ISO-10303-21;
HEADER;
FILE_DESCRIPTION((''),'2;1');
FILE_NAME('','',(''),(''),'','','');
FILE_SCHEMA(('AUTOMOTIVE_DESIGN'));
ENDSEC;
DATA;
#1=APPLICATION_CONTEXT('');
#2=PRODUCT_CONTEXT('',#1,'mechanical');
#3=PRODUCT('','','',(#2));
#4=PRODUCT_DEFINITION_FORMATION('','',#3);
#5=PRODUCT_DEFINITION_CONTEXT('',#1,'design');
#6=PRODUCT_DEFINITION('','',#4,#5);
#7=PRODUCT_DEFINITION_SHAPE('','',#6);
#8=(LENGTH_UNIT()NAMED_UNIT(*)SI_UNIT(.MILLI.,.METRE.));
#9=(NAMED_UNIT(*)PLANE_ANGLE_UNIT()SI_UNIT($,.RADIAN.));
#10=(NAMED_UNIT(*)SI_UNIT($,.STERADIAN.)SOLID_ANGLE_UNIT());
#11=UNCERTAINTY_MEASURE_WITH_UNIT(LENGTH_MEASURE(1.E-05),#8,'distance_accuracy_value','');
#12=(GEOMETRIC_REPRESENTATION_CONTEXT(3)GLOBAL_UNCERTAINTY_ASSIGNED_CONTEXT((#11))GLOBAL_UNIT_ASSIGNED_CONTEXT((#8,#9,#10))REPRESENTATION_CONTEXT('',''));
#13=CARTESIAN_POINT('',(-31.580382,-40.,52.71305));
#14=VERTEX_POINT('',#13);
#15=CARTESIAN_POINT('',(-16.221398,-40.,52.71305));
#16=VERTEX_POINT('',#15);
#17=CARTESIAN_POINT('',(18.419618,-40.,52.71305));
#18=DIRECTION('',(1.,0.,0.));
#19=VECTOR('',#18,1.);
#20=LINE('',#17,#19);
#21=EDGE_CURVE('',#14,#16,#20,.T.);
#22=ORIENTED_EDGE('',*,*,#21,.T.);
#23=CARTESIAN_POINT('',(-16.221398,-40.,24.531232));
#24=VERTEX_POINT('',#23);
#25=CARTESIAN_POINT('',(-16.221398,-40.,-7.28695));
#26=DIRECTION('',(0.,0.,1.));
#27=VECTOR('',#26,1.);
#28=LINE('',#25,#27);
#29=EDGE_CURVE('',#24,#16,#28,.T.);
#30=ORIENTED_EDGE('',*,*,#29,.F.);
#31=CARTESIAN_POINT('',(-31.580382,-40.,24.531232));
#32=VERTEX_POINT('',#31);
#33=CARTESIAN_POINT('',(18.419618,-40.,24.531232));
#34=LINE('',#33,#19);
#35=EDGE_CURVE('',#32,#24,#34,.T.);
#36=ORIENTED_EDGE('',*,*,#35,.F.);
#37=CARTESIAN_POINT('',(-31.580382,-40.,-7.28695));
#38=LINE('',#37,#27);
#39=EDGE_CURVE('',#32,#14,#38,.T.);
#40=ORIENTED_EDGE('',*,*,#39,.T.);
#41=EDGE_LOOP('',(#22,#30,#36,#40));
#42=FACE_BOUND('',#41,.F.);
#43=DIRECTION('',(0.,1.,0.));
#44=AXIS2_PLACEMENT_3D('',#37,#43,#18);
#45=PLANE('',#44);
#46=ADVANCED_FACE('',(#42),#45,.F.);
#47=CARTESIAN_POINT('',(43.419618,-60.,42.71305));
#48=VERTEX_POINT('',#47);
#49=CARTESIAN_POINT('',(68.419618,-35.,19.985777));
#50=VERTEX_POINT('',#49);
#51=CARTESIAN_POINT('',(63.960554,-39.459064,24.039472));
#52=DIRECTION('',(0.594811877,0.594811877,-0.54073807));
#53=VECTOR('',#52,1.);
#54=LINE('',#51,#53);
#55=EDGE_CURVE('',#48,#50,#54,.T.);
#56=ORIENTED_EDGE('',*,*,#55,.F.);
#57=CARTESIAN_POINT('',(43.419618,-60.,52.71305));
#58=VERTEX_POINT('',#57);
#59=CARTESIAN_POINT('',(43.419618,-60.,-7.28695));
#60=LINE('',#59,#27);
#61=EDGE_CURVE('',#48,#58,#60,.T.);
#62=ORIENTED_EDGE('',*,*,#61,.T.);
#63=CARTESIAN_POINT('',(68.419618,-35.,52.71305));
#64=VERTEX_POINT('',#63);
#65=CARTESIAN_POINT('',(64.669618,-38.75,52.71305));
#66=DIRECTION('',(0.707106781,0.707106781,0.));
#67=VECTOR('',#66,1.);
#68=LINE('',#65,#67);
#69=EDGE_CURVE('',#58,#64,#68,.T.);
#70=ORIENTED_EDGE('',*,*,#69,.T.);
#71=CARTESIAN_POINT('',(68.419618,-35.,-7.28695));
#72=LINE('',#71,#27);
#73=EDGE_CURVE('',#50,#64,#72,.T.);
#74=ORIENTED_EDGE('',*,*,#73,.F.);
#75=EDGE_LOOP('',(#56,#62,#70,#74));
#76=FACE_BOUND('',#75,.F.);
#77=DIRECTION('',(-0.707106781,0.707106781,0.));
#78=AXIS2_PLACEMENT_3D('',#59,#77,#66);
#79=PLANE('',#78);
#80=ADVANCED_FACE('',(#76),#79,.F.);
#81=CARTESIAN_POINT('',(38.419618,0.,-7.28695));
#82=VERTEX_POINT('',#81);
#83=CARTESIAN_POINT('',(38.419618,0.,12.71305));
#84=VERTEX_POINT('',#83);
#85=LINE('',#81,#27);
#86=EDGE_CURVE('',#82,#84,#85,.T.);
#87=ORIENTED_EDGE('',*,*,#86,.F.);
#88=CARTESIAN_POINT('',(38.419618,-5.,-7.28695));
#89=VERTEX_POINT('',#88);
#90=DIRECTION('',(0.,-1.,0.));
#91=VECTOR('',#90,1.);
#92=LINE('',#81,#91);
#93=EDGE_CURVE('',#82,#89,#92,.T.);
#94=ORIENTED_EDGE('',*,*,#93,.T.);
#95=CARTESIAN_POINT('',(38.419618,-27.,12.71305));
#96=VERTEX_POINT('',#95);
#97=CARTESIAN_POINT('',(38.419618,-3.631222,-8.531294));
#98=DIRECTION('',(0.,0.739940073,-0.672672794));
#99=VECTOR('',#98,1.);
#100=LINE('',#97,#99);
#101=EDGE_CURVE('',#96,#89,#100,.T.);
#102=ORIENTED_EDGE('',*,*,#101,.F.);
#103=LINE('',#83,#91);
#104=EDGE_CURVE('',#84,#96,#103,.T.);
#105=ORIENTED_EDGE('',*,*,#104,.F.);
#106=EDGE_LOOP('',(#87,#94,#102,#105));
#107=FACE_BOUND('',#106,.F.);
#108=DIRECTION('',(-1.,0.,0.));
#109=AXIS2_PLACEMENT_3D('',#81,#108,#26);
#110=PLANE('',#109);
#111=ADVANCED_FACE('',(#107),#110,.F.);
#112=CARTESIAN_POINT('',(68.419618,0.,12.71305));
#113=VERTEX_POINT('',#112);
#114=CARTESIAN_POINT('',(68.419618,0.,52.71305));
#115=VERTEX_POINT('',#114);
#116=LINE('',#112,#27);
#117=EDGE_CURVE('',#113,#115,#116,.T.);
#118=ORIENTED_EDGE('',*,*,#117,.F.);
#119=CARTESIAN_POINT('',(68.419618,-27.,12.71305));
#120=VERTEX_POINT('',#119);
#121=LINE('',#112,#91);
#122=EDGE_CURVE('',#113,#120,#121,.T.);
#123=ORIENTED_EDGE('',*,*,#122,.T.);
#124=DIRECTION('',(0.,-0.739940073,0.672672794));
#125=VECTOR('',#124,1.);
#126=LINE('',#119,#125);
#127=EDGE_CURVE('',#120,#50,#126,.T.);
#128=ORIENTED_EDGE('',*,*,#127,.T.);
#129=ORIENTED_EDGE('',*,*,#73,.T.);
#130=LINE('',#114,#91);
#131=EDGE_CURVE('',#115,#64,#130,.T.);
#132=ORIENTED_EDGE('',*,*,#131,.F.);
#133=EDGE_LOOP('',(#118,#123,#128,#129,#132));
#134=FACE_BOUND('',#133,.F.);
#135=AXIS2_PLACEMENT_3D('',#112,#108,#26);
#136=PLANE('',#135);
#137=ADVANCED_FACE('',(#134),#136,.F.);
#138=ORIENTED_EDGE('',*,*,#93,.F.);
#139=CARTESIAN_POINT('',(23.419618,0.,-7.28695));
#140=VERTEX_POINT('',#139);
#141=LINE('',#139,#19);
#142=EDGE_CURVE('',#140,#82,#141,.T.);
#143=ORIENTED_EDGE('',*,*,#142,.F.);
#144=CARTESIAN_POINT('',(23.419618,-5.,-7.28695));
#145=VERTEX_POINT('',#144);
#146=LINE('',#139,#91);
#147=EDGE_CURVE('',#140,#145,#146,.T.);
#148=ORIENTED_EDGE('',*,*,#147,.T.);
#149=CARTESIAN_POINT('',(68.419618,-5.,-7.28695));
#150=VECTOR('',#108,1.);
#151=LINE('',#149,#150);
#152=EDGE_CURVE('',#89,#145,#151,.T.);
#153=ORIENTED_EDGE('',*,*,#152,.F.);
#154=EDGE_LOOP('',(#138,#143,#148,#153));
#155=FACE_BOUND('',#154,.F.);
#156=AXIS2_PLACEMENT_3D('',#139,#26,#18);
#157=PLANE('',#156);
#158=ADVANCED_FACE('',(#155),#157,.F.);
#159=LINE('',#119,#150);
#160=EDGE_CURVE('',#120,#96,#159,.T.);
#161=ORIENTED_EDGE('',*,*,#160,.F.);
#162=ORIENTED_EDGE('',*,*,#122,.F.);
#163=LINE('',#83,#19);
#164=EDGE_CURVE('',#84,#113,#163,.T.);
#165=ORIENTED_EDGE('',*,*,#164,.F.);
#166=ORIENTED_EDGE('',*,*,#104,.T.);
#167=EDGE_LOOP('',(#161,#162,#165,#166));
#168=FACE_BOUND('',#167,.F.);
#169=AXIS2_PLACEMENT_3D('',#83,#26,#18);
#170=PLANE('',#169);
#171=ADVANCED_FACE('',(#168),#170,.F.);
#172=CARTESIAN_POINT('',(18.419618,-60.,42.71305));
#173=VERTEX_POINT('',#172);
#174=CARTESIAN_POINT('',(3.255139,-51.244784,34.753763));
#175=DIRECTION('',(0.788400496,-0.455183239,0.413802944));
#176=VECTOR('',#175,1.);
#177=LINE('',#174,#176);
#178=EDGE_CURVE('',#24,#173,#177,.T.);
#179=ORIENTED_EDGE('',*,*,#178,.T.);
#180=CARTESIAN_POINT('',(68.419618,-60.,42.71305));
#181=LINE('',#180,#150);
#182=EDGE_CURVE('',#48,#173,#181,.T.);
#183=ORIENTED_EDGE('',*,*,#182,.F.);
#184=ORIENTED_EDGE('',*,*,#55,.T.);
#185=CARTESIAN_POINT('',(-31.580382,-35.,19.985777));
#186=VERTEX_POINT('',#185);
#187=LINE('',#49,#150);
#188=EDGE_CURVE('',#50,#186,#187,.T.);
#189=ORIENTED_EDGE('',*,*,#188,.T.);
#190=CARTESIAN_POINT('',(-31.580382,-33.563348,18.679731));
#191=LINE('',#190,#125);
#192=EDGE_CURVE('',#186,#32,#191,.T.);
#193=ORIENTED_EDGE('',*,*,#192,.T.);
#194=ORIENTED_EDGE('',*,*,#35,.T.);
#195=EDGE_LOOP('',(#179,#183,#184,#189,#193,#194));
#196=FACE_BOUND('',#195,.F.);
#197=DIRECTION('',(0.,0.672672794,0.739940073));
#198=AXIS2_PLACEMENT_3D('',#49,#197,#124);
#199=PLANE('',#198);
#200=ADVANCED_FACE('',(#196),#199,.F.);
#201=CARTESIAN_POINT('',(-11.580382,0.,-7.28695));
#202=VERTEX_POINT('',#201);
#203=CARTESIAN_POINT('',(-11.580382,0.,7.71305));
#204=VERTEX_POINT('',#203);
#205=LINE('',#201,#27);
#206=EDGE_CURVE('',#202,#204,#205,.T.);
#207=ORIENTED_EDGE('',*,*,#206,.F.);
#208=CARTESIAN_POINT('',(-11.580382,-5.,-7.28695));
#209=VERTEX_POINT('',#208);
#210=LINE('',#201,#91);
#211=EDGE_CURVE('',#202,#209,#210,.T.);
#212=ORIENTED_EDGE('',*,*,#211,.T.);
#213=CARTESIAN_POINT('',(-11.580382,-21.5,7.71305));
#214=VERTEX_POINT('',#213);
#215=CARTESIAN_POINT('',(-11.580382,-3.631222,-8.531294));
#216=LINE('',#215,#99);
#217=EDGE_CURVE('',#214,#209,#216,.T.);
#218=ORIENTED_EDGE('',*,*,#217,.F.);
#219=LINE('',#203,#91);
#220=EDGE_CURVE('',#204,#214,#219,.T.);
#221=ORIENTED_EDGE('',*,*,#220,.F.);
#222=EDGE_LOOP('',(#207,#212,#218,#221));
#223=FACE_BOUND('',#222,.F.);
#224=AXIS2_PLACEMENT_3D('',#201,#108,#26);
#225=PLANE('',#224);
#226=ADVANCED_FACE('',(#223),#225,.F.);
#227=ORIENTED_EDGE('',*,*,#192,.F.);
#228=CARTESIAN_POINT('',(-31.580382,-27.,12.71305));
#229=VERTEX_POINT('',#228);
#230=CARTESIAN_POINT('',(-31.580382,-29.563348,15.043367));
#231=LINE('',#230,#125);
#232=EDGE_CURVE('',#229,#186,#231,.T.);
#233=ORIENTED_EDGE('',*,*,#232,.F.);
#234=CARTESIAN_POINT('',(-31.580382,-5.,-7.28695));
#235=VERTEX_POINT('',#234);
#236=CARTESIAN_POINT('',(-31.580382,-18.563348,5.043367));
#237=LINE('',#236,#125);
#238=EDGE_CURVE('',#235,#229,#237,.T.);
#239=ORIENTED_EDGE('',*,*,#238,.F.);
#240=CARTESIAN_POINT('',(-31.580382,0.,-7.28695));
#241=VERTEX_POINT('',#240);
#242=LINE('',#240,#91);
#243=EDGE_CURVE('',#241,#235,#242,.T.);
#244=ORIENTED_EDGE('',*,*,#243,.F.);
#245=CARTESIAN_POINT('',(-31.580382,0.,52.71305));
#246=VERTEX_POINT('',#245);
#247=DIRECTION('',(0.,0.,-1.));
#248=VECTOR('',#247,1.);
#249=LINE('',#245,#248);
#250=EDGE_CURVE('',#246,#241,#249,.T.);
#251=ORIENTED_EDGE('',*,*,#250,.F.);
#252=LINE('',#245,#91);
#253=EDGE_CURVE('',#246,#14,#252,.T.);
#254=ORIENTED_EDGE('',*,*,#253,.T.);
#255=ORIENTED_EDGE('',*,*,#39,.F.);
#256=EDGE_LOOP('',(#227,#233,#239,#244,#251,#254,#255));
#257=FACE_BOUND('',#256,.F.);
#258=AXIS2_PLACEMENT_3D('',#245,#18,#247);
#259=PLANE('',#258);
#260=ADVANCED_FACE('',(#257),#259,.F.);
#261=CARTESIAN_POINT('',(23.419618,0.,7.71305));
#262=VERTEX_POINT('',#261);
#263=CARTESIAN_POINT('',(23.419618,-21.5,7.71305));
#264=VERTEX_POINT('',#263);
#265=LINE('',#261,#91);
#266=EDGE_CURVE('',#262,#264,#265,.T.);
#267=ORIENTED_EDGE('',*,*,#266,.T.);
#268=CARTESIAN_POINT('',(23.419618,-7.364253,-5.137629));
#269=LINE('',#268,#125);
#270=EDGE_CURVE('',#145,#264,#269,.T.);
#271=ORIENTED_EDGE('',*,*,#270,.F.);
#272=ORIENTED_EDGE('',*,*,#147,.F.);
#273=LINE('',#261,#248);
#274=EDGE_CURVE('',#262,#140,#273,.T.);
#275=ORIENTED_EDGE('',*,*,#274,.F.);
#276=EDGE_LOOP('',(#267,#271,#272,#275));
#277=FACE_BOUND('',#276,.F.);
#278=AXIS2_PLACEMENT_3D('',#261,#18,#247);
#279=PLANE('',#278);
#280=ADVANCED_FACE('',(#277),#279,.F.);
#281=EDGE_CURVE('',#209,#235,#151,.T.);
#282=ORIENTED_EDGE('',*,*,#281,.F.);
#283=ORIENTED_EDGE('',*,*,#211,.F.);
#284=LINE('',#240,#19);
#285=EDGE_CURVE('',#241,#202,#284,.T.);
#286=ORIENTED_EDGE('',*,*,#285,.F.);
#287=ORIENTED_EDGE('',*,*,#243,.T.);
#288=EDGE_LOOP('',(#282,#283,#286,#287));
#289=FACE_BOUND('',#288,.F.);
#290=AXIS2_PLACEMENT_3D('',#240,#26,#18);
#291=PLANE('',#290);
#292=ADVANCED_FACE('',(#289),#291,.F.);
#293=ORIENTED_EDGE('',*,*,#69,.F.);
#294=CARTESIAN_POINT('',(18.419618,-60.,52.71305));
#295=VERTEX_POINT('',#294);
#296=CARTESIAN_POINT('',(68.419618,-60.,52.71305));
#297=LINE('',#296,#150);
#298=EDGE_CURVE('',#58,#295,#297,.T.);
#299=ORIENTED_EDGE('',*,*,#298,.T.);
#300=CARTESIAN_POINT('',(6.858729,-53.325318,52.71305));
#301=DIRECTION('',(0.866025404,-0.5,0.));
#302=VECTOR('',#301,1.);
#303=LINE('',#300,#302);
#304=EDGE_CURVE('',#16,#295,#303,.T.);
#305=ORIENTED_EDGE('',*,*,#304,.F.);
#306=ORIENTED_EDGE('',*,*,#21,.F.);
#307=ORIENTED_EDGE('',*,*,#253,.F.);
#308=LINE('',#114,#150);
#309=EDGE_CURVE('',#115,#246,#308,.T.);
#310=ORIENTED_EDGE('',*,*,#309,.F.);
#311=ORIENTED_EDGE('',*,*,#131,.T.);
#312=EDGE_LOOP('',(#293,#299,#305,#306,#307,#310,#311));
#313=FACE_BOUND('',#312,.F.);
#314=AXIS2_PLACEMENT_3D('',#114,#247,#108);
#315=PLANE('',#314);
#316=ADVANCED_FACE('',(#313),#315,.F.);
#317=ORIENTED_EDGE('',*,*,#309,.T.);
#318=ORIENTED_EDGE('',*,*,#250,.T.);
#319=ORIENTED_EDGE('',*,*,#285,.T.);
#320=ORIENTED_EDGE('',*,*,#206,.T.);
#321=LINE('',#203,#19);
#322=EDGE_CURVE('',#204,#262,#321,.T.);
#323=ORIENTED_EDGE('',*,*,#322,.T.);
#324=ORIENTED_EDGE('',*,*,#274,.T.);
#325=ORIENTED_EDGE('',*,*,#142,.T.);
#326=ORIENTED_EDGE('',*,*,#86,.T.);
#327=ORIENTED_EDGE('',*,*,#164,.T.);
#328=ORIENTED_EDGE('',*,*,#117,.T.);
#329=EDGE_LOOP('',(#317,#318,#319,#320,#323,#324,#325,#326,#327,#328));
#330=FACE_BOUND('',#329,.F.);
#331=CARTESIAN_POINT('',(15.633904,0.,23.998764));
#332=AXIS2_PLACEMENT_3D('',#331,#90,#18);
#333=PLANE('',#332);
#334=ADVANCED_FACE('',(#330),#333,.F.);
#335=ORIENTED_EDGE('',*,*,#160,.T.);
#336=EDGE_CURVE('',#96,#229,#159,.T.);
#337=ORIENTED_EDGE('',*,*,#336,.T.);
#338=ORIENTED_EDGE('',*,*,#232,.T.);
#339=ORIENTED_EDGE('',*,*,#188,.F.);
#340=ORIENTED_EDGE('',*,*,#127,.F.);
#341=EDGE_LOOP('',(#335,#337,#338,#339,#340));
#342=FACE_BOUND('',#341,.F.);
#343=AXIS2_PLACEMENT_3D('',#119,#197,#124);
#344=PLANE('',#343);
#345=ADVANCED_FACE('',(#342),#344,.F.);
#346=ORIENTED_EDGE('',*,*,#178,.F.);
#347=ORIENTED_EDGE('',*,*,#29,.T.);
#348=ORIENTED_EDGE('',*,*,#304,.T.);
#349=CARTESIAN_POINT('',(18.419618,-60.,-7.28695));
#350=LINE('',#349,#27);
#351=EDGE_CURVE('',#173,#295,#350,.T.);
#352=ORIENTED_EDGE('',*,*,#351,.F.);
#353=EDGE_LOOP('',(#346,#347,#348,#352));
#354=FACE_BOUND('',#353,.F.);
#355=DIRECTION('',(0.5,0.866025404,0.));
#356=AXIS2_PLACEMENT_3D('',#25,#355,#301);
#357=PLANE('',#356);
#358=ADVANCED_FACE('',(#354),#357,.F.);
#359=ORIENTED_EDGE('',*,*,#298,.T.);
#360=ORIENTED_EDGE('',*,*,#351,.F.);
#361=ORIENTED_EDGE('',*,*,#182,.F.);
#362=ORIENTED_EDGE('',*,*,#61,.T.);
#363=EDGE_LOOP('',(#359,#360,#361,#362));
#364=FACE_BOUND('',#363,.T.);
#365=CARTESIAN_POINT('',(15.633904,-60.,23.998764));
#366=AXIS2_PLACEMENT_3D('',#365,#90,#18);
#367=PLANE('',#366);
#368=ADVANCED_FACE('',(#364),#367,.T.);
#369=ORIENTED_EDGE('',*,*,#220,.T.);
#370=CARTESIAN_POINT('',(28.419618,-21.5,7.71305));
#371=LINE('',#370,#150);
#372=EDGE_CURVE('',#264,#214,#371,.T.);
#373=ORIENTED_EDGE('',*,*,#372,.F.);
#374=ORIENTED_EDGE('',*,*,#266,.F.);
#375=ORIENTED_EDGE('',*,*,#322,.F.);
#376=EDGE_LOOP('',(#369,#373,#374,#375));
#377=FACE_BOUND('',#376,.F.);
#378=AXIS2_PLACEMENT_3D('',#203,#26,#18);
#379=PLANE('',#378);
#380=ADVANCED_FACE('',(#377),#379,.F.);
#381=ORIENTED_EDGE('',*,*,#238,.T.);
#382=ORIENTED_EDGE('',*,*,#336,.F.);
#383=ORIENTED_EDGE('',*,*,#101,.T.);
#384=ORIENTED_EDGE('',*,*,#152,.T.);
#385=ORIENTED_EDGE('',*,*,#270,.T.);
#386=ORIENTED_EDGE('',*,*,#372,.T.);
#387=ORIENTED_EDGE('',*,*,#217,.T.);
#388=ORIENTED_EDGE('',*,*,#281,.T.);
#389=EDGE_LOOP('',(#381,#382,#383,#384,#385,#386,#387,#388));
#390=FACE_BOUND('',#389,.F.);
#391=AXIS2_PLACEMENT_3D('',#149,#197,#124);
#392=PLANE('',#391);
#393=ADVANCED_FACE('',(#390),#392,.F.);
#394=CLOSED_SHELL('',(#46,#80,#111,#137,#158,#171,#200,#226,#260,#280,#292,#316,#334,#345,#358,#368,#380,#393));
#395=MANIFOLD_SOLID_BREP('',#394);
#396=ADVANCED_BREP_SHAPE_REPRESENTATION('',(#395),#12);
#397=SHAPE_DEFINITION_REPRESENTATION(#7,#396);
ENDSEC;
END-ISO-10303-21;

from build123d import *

# Parameters (mm, degrees)
F1_DEPTH = 60
F3_DEPTH = 60.001
F5_DEPTH = 100.001


with BuildPart() as f1:
    # F0 (on Front) → F1 (new body)
    with BuildSketch(Plane.XZ):
        Polygon((68.4196182877, 52.7130502019), (-31.5803817123, 52.7130502019), (-31.5803817123, -7.2869497981), (-11.5803817123, -7.2869497981), (-11.5803817123, 7.7130502019), (23.4196182877, 7.7130502019), (23.4196182877, -7.2869497981), (38.4196182877, -7.2869497981), (38.4196182877, 12.7130502019), (68.4196182877, 12.7130502019), align=None)
    extrude(amount=F1_DEPTH)

    # F2 (on face) → F3 (cut, through all)
    with BuildSketch(Plane(origin=(0, 0, -7.2869497981), x_dir=(1, 0, 0), z_dir=(0, 0, -1))):
        Polygon((68.4196182877, 60), (43.4196182877, 60), (68.4196182877, 35), align=None)
        Polygon((18.4196182877, 60), (-31.5803817123, 60), (-31.5803817123, 40), (-16.2213978636, 40), align=None)
    extrude(amount=-F3_DEPTH, mode=Mode.SUBTRACT)

    # F4 (on face) → F5 (cut, through all)
    with BuildSketch(Plane.YZ.offset(68.4196182877)):
        Polygon((-60, 42.7130502019), (-60, -7.2869497981), (-5, -7.2869497981), (-27, 12.7130502019), (-35, 12.7130502019), (-35, 19.9857774746), align=None)
        Polygon((-35, 12.7130502019), (-27, 12.7130502019), (-35, 19.9857774746), align=None)
    extrude(amount=-F5_DEPTH, mode=Mode.SUBTRACT)


solid = f1.part
